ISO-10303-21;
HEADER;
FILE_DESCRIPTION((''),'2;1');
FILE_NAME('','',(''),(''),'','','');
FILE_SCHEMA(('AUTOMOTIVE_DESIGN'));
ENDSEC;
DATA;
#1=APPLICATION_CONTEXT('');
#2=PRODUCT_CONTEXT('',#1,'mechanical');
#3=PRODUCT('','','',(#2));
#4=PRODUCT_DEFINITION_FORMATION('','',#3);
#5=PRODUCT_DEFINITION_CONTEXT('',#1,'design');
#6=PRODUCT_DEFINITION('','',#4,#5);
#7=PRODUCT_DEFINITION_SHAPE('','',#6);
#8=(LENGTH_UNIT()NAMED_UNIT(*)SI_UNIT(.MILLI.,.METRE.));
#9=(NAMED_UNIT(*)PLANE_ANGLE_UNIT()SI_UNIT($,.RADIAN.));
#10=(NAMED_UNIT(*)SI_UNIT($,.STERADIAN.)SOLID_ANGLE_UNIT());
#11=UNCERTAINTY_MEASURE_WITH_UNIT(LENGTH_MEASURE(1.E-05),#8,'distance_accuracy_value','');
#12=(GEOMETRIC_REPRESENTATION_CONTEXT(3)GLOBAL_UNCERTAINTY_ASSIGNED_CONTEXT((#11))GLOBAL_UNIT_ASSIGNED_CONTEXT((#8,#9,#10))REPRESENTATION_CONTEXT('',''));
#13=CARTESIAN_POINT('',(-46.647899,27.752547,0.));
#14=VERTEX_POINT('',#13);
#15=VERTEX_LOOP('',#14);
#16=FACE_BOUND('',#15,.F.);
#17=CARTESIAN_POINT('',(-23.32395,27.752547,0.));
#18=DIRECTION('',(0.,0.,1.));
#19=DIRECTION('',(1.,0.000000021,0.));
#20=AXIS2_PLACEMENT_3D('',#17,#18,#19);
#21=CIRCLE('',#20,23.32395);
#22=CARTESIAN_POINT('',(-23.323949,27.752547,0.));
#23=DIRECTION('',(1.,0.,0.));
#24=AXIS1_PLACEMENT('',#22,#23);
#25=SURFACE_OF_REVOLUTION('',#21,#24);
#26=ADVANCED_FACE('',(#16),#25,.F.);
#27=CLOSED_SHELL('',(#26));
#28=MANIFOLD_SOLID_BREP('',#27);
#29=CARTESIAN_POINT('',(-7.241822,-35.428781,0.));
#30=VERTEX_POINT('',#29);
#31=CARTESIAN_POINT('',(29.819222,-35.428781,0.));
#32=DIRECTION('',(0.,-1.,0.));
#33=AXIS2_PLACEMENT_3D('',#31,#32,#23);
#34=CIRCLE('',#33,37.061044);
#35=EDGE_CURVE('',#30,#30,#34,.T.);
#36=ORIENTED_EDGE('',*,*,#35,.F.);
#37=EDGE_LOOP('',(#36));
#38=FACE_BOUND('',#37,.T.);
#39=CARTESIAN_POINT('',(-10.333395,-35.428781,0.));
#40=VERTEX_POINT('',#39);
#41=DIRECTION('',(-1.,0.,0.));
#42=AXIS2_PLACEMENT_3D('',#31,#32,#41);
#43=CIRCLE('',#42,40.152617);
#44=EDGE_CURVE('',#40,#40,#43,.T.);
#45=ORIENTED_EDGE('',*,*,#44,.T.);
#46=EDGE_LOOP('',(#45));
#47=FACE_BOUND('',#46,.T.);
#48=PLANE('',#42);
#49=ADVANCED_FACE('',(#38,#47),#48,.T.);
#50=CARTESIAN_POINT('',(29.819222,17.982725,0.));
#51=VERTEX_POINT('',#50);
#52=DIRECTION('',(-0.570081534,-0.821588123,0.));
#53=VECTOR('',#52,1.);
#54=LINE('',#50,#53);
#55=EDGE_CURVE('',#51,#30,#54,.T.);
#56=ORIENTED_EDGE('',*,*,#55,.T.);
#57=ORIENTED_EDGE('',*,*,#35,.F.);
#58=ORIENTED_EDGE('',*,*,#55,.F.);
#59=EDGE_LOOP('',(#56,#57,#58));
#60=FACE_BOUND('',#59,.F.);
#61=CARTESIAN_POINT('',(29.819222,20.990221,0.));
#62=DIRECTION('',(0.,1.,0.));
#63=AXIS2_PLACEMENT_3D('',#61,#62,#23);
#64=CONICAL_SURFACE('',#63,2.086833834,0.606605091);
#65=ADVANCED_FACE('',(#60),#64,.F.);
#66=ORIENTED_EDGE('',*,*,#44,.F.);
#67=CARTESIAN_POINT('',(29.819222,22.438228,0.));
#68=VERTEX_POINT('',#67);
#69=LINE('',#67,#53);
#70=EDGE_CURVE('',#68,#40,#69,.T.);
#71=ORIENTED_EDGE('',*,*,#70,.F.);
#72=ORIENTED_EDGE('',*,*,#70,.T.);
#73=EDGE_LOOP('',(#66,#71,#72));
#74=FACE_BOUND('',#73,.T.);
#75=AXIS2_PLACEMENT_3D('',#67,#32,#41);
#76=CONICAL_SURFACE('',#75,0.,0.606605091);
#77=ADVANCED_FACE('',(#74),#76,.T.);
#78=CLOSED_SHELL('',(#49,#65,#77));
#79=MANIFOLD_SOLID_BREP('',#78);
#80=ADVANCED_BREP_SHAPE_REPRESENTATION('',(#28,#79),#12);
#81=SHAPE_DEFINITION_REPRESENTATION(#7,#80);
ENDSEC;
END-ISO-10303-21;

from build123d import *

# Parameters (mm, degrees)
F4_T = -2.54


with BuildPart() as f1:
    # F0 (on Top) → F1 (revolve)
    with BuildSketch(Plane.XY):
        with BuildLine():
            ThreePointArc((0, 27.752547), (-23.323949, 51.076496), (-46.647899, 27.752547))
            Line((-46.647899, 27.752547), (0, 27.752547))
        make_face()
    revolve(axis=Axis((-23.323949, 27.752547, 0), (1, 0, 0)))


with BuildPart() as f3:
    # F2 (on Top) → F3 (revolve)
    with BuildSketch(Plane.XY):
        Polygon((29.819222, -35.428781), (29.819222, 22.438228), (-10.333395, -35.428781), align=None)
    revolve(axis=Axis((29.819222, -6.495276, 0), (0, -1, 0)))

    # F4
    f4_openings = [f3.faces().sort_by_distance(p)[0] for p in [
        (29.819222, -35.428781, 0),
    ]]
    offset(amount=F4_T, openings=f4_openings)


solid = Compound([f1.part, f3.part])
